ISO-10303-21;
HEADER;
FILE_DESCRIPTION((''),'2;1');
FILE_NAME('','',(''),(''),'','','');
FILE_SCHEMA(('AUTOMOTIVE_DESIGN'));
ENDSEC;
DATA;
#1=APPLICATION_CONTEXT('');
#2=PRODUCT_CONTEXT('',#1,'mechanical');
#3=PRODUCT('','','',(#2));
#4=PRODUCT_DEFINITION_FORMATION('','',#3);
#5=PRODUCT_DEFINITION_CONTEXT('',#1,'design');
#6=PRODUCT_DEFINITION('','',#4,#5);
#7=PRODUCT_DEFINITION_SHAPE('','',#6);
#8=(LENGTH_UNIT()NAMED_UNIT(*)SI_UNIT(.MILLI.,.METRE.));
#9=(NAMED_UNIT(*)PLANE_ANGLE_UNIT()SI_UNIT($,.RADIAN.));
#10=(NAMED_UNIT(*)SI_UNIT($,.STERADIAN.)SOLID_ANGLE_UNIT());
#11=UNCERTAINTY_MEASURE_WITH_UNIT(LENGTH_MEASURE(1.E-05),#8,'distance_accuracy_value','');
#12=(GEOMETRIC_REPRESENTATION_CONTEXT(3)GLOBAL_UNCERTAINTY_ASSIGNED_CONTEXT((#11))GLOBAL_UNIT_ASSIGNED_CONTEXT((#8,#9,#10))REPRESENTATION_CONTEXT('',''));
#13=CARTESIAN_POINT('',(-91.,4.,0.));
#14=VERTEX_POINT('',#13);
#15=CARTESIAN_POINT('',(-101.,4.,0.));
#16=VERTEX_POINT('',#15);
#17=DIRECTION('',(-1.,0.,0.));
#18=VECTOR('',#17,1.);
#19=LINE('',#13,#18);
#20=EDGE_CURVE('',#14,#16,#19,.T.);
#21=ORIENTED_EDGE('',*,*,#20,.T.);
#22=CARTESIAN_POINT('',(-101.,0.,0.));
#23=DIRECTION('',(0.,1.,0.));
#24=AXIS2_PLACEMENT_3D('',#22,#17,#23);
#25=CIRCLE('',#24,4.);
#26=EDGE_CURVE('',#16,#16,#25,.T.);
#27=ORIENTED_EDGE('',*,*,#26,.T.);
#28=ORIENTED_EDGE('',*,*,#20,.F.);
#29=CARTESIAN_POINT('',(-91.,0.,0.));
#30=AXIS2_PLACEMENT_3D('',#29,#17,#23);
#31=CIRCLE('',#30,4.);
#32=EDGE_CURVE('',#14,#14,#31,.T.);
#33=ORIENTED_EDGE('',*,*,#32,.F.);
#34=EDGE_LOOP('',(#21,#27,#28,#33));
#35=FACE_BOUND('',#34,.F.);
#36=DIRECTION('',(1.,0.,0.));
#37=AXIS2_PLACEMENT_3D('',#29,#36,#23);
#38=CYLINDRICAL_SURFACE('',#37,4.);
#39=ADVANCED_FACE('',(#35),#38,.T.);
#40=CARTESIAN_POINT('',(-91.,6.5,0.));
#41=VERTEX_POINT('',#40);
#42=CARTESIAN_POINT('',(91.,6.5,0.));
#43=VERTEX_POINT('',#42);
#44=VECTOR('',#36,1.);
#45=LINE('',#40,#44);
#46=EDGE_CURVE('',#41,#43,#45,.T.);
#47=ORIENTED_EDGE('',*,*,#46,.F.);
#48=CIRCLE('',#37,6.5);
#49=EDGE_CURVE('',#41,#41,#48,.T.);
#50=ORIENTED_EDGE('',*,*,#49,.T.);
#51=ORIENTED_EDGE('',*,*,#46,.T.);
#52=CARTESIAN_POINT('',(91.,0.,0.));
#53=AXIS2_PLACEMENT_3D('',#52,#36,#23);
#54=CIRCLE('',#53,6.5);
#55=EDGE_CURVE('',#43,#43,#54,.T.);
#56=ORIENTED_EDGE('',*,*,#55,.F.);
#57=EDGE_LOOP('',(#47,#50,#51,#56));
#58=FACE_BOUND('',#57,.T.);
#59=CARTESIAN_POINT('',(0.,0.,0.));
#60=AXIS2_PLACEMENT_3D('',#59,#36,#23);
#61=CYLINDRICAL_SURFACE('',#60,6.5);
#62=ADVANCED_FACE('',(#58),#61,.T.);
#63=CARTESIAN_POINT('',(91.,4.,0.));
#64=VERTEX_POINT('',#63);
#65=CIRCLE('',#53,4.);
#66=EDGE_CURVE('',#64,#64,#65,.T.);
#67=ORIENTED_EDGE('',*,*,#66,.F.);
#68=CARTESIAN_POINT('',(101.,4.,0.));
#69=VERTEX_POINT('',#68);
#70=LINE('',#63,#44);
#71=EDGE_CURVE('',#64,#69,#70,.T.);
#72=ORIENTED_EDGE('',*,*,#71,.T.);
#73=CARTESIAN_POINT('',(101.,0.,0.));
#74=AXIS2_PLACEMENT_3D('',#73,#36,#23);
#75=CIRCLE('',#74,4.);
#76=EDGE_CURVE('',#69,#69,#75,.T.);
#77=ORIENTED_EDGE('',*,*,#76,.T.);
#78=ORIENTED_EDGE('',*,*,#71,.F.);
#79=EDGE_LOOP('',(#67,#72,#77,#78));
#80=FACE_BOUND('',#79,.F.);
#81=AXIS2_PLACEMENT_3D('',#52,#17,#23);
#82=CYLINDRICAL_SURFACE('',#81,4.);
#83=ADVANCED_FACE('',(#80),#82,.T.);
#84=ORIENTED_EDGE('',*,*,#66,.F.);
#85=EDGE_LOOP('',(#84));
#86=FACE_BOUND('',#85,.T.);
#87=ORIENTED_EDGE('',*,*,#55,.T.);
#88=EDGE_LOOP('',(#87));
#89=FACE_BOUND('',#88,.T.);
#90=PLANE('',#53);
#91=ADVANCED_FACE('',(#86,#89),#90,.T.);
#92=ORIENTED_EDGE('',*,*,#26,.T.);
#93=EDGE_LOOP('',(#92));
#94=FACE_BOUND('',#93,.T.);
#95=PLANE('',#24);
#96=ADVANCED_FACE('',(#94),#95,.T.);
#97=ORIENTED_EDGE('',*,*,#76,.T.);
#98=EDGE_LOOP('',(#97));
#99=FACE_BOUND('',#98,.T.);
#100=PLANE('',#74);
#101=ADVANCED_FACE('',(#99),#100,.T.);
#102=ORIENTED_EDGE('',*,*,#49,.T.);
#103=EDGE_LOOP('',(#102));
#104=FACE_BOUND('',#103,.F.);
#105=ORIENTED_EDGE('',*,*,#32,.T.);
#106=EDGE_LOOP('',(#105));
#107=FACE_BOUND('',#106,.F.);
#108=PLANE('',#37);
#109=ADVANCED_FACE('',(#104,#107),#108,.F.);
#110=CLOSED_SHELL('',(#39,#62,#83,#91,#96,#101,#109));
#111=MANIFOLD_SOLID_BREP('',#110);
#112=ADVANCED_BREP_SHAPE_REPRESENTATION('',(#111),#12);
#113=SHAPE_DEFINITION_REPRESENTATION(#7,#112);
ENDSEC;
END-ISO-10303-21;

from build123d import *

# Parameters (mm, degrees)
SKETCH_R     = 6.5
PAD_DEPTH    = 91
SKETCH001_R  = 4
PAD001_DEPTH = 10
SKETCH002_R  = 4
PAD002_DEPTH = 10


with BuildPart() as part:
    # Sketch → Pad (new body, symmetric)
    with BuildSketch(Plane.YZ):
        Circle(SKETCH_R)
    extrude(amount=PAD_DEPTH, both=True)

    # Sketch001 (on Face3 of Pad) → Pad001 (join)
    with BuildSketch(Plane.YZ.offset(91)):
        Circle(SKETCH001_R)
    extrude(amount=PAD001_DEPTH)

    # Sketch002 (on Face2 of Pad001) → Pad002 (join)
    with BuildSketch(Plane(origin=(-91, 0, 0), x_dir=(0, 1, 0), z_dir=(-1, 0, 0))):
        Circle(SKETCH002_R)
    extrude(amount=PAD002_DEPTH)


solid = part.part
